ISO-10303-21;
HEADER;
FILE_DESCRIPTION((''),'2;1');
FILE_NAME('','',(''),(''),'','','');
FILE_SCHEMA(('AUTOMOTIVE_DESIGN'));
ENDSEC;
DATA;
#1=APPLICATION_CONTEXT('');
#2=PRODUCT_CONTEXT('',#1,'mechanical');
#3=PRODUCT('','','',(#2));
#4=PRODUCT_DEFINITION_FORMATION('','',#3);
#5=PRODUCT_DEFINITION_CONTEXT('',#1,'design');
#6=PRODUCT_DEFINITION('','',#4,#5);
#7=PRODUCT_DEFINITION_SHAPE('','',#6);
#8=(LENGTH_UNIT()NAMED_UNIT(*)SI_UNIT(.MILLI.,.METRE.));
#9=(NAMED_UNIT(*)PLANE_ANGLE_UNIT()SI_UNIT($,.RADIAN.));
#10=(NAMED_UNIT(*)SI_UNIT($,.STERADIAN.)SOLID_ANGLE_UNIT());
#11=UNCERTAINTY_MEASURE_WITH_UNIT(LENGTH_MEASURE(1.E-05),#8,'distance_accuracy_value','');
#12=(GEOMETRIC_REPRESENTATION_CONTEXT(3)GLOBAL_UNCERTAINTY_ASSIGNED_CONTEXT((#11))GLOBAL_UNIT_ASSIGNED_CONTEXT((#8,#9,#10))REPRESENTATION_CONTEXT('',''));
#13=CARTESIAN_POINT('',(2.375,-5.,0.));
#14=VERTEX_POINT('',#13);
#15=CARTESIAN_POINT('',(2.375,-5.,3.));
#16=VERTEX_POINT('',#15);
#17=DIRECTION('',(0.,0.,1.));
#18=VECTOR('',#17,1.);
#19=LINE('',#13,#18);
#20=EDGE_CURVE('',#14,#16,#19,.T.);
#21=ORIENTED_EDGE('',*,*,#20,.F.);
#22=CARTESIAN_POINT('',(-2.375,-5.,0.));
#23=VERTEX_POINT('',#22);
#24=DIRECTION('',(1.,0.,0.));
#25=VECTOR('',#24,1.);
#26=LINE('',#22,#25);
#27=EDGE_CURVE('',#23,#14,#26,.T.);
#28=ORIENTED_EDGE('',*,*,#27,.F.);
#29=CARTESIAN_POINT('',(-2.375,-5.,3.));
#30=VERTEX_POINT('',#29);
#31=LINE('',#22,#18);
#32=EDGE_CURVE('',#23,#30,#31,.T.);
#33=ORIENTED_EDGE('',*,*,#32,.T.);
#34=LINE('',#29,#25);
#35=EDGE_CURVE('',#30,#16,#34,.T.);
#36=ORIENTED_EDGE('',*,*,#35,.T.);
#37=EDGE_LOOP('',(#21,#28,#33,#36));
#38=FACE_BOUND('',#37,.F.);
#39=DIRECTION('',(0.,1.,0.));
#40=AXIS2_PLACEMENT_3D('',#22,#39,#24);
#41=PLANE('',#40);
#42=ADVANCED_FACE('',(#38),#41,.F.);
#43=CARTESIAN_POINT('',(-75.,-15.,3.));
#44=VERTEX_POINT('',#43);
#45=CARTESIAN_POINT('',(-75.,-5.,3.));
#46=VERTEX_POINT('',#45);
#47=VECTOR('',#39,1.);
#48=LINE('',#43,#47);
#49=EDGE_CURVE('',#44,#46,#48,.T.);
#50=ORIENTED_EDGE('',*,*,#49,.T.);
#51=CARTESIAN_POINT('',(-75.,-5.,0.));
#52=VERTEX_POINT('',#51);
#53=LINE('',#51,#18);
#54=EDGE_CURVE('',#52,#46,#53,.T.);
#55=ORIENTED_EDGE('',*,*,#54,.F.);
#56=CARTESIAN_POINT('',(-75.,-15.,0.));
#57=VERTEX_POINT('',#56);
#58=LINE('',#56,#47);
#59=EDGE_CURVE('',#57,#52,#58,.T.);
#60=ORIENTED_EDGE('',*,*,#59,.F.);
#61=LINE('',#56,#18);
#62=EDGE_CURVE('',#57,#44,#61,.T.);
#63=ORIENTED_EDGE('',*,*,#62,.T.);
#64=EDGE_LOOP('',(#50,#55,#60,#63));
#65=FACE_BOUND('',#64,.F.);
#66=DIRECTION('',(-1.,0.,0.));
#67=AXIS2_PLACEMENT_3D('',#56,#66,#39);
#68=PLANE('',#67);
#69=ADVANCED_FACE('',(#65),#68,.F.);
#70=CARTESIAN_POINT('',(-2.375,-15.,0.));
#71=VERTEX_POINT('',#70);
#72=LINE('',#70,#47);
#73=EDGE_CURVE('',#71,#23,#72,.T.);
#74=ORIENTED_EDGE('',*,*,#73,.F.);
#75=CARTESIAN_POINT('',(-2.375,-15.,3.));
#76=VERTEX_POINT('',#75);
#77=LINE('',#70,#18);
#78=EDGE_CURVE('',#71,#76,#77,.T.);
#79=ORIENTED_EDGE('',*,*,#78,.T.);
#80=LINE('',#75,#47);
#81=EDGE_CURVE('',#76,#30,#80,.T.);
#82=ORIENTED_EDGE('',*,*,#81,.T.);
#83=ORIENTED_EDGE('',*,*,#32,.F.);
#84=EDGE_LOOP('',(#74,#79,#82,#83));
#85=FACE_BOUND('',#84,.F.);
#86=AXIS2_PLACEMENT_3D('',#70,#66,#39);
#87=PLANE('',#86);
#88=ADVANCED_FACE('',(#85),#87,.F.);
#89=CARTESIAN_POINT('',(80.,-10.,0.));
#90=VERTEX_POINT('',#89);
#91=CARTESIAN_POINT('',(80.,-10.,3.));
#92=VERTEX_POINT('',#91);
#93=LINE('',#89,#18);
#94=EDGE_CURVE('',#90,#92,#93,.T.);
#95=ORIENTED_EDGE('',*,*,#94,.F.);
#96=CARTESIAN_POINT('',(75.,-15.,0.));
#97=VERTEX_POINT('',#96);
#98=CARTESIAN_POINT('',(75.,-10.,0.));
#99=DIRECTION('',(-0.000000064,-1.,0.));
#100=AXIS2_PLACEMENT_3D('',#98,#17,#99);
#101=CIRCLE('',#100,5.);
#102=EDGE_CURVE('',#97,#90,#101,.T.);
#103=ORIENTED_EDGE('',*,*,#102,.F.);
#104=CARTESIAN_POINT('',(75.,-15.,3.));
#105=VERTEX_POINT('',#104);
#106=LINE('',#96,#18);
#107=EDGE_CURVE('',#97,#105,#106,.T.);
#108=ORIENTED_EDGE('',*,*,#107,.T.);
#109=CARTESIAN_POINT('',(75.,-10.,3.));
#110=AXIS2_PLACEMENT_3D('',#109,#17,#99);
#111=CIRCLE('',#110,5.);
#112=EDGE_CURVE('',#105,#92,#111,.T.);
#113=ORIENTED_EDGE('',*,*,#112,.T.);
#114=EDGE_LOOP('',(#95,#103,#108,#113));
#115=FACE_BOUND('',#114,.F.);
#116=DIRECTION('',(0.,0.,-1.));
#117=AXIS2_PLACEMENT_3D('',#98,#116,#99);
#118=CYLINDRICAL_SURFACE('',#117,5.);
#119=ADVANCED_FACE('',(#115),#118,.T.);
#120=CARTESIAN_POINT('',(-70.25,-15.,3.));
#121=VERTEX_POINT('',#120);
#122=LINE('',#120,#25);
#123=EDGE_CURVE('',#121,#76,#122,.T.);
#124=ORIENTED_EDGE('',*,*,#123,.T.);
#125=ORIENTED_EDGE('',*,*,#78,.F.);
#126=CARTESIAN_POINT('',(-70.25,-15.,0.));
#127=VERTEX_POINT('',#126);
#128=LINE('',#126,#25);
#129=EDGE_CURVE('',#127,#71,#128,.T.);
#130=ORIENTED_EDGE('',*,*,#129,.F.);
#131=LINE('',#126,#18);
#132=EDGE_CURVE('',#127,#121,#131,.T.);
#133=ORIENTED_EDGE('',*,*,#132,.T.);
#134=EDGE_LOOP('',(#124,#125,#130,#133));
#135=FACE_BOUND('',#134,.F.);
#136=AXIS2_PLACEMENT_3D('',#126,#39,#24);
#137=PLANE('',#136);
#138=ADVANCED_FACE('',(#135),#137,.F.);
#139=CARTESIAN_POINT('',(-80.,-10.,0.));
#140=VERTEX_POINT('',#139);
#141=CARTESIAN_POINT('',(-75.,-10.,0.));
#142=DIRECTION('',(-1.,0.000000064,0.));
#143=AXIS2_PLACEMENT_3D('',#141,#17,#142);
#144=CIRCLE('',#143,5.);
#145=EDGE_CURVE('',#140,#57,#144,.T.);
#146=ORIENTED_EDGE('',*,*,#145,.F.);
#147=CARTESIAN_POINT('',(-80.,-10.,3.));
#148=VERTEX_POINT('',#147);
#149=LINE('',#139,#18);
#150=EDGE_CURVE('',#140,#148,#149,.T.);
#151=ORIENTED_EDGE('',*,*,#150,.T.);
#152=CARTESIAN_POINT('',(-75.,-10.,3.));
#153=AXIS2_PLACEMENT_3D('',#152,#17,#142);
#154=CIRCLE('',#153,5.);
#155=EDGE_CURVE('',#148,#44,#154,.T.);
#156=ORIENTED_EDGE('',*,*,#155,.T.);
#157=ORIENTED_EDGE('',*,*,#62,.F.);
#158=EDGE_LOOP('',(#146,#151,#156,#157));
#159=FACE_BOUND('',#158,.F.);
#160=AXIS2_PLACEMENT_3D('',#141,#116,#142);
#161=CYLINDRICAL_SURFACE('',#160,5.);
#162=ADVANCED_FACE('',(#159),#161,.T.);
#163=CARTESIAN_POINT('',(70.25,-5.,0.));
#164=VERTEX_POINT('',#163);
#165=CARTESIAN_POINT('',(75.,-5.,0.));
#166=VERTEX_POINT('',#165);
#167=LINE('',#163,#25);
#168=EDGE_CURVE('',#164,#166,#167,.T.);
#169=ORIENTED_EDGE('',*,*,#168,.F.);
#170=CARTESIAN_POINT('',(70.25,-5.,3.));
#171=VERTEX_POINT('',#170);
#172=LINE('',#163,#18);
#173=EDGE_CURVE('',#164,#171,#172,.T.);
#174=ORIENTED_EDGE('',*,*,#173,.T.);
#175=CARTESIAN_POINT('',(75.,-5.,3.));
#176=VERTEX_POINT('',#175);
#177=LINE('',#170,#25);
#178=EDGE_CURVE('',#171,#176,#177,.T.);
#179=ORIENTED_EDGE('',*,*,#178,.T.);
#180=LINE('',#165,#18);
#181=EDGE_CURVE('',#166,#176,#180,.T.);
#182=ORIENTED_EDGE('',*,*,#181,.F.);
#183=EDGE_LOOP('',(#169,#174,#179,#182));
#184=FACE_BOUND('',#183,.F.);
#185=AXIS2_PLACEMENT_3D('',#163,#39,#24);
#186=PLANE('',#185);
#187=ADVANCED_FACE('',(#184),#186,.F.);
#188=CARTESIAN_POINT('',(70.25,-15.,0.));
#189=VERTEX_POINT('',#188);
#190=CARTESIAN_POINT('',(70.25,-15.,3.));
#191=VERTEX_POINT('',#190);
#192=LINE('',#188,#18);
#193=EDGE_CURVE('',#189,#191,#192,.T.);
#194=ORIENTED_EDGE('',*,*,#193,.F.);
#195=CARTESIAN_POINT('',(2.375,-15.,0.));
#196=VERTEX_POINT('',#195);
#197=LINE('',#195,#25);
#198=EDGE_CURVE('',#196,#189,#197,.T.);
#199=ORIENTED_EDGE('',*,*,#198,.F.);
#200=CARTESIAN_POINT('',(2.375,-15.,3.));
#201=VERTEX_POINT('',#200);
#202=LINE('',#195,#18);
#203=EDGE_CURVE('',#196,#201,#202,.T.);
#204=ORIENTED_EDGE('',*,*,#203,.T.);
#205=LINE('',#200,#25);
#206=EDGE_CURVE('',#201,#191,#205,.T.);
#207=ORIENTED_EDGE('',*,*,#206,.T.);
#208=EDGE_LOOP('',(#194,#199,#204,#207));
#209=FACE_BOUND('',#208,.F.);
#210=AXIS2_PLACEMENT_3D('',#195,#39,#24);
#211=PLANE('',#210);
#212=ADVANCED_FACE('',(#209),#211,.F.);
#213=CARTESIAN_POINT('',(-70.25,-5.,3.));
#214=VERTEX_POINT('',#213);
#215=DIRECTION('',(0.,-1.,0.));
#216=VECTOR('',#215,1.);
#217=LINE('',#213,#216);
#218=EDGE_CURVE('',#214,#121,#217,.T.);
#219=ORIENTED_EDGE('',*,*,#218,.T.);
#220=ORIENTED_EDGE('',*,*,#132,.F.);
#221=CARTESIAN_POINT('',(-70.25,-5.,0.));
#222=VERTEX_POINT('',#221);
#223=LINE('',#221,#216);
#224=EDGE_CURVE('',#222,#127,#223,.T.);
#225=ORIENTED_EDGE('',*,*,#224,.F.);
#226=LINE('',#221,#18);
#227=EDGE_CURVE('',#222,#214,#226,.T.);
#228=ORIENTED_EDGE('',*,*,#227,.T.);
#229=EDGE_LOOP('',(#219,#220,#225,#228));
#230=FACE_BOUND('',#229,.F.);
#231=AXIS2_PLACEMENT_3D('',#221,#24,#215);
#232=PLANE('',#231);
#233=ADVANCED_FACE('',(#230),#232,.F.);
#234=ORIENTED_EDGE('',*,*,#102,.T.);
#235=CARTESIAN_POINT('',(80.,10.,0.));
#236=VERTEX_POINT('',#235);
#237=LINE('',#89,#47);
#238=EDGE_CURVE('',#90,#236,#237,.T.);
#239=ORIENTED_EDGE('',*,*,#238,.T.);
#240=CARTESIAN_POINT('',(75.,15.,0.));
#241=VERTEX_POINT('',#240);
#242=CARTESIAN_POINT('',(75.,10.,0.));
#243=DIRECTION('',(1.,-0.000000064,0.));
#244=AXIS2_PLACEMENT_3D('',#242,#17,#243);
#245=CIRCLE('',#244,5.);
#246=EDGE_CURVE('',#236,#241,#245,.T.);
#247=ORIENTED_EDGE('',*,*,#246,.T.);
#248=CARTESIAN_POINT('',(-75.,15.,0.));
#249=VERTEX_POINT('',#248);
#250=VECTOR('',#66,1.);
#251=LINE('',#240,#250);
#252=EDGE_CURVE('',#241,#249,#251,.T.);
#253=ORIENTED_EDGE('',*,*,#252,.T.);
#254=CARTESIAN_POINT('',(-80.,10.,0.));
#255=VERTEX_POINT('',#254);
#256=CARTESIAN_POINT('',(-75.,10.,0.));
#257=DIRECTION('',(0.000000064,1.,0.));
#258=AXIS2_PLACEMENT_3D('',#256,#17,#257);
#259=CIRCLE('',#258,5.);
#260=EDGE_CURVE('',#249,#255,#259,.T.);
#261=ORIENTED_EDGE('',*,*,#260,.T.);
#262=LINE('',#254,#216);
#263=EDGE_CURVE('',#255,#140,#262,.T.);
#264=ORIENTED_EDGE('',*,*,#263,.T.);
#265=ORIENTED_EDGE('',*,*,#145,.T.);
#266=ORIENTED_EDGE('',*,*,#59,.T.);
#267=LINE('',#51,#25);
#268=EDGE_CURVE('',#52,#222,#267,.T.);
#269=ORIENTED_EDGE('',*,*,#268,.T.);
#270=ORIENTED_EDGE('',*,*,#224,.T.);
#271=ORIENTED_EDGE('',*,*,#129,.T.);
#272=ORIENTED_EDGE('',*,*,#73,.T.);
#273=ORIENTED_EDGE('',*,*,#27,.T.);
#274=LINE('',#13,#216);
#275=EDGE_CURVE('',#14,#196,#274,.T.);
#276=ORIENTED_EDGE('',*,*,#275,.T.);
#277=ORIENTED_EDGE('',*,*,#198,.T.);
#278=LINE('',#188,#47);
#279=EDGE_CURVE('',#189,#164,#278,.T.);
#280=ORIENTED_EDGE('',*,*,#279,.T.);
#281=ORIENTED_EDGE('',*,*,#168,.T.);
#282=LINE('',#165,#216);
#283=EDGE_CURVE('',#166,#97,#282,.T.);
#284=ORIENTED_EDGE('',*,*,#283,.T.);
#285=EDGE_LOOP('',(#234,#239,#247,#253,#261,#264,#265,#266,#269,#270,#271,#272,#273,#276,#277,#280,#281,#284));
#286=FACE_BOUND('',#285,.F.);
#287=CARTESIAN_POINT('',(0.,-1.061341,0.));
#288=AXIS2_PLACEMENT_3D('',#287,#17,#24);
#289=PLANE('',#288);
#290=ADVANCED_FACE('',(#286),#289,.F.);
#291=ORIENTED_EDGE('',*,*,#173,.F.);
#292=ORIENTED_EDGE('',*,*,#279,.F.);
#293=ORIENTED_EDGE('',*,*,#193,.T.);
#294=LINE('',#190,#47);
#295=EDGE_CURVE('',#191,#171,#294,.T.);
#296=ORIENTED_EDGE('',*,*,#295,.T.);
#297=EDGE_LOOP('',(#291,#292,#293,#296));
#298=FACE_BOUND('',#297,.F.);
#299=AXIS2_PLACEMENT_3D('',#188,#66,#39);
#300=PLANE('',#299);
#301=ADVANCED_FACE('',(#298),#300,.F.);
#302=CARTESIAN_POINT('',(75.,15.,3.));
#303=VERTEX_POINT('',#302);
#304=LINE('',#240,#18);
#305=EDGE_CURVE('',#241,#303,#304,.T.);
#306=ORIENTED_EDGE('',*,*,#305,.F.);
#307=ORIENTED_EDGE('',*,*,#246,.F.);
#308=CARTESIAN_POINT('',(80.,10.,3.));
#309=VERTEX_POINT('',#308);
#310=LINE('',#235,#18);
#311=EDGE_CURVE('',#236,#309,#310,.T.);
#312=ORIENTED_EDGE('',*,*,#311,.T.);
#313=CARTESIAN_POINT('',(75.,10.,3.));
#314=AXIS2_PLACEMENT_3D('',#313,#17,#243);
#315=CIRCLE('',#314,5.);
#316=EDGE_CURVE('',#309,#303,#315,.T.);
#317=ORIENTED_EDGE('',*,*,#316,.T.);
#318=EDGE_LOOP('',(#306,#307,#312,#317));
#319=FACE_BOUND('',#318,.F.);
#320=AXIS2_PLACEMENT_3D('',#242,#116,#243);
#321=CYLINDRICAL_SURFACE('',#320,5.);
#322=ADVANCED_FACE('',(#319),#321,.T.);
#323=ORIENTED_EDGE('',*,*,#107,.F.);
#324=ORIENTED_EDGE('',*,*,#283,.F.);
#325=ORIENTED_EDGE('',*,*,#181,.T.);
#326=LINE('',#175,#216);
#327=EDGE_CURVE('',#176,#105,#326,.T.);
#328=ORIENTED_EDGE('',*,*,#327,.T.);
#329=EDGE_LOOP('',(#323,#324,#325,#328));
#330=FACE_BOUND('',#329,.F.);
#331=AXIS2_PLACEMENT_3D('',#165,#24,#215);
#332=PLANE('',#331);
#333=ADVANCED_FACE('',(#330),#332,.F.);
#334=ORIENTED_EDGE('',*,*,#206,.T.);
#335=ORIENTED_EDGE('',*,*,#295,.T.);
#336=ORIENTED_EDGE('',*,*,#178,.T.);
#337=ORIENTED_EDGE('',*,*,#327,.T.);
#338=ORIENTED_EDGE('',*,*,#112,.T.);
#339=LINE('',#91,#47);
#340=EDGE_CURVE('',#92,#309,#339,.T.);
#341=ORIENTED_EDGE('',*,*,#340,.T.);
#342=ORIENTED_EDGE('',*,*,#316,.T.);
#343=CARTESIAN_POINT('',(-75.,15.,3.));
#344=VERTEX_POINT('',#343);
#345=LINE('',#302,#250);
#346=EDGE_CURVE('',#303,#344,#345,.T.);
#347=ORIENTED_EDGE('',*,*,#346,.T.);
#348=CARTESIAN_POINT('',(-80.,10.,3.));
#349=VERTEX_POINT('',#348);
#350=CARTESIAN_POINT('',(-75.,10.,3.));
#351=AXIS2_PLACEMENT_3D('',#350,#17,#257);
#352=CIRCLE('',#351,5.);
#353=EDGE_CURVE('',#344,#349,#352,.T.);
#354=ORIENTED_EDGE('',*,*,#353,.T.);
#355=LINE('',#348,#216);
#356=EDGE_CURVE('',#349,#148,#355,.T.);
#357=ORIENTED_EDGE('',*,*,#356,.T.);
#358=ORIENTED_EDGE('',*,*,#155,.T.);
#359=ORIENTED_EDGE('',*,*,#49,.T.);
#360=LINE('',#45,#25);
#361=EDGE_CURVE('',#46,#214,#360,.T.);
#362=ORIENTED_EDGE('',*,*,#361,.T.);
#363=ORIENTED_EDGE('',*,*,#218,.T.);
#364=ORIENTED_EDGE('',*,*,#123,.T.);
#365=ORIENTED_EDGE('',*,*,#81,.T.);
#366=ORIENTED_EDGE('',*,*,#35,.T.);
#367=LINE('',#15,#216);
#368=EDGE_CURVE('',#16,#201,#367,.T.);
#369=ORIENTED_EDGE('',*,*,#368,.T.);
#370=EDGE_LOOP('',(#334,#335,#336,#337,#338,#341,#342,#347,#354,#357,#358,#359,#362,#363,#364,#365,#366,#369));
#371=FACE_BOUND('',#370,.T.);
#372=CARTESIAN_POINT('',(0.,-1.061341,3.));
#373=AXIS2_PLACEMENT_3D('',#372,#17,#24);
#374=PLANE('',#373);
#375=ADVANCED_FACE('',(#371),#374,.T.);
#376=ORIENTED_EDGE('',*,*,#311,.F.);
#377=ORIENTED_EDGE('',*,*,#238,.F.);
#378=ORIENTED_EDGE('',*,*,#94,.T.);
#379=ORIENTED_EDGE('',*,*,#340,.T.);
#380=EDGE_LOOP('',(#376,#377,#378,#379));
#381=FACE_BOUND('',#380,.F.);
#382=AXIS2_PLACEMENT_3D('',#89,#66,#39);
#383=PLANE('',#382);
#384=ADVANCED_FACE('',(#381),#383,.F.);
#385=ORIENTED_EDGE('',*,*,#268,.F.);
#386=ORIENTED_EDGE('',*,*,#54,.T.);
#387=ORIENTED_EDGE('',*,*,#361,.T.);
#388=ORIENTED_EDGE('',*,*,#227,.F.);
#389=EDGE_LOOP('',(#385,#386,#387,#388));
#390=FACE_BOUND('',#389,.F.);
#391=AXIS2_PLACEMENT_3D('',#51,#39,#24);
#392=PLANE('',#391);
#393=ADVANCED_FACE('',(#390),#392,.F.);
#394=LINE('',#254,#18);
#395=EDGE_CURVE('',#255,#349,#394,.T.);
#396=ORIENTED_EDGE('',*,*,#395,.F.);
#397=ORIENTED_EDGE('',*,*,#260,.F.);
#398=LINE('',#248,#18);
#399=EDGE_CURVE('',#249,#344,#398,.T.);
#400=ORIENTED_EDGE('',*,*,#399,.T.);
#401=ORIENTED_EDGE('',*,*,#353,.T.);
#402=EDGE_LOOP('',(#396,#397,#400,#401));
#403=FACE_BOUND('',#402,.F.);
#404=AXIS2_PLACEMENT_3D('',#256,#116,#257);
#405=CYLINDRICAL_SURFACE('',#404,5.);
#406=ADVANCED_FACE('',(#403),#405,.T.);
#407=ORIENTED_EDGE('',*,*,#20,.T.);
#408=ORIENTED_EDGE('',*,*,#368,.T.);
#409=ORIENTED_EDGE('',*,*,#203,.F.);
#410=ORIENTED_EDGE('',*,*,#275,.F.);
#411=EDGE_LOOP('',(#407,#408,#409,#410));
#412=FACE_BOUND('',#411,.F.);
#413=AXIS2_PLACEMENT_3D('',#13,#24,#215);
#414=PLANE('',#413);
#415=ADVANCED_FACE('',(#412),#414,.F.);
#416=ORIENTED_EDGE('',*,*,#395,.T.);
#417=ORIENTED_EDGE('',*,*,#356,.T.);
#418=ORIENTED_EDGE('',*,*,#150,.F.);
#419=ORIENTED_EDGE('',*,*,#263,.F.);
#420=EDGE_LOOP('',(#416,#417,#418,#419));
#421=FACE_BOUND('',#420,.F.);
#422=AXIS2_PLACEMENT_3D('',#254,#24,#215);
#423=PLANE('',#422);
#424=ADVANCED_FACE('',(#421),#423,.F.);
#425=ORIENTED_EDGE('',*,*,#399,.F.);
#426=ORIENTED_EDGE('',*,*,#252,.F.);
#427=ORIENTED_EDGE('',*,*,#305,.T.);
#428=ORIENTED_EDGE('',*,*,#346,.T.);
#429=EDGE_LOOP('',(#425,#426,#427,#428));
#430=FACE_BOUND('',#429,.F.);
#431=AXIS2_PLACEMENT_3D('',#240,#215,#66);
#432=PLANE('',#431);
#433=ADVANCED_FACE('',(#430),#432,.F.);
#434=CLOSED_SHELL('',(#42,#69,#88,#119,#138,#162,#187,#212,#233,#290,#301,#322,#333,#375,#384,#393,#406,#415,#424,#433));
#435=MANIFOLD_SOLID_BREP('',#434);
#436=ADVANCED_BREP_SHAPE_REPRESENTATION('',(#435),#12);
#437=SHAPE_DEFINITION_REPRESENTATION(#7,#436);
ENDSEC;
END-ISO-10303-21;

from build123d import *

# Parameters (mm, degrees)
F1_DEPTH = 3


with BuildPart() as f1:
    # F0 (on Top) → F1 (new body)
    with BuildSketch(Plane.XY):
        with BuildLine():
            Line((75, 15), (-75, 15))
            ThreePointArc((-75, 15), (-78.535534, 13.535534), (-80, 10))
            Line((-80, 10), (-80, -10))
            ThreePointArc((-80, -10), (-78.535534, -13.535534), (-75, -15))
            Line((-75, -15), (-75, -5))
            Line((-75, -5), (-70.25, -5))
            Line((-70.25, -5), (-70.25, -15))
            Line((-70.25, -15), (-2.375, -15))
            Line((-2.375, -15), (-2.375, -5))
            Line((-2.375, -5), (2.375, -5))
            Line((2.375, -5), (2.375, -15))
            Line((2.375, -15), (70.25, -15))
            Line((70.25, -15), (70.25, -5))
            Line((70.25, -5), (75, -5))
            Line((75, -5), (75, -15))
            ThreePointArc((75, -15), (78.535534, -13.535534), (80, -10))
            Line((80, -10), (80, 10))
            ThreePointArc((80, 10), (78.535534, 13.535534), (75, 15))
        make_face()
    extrude(amount=F1_DEPTH)


solid = f1.part
